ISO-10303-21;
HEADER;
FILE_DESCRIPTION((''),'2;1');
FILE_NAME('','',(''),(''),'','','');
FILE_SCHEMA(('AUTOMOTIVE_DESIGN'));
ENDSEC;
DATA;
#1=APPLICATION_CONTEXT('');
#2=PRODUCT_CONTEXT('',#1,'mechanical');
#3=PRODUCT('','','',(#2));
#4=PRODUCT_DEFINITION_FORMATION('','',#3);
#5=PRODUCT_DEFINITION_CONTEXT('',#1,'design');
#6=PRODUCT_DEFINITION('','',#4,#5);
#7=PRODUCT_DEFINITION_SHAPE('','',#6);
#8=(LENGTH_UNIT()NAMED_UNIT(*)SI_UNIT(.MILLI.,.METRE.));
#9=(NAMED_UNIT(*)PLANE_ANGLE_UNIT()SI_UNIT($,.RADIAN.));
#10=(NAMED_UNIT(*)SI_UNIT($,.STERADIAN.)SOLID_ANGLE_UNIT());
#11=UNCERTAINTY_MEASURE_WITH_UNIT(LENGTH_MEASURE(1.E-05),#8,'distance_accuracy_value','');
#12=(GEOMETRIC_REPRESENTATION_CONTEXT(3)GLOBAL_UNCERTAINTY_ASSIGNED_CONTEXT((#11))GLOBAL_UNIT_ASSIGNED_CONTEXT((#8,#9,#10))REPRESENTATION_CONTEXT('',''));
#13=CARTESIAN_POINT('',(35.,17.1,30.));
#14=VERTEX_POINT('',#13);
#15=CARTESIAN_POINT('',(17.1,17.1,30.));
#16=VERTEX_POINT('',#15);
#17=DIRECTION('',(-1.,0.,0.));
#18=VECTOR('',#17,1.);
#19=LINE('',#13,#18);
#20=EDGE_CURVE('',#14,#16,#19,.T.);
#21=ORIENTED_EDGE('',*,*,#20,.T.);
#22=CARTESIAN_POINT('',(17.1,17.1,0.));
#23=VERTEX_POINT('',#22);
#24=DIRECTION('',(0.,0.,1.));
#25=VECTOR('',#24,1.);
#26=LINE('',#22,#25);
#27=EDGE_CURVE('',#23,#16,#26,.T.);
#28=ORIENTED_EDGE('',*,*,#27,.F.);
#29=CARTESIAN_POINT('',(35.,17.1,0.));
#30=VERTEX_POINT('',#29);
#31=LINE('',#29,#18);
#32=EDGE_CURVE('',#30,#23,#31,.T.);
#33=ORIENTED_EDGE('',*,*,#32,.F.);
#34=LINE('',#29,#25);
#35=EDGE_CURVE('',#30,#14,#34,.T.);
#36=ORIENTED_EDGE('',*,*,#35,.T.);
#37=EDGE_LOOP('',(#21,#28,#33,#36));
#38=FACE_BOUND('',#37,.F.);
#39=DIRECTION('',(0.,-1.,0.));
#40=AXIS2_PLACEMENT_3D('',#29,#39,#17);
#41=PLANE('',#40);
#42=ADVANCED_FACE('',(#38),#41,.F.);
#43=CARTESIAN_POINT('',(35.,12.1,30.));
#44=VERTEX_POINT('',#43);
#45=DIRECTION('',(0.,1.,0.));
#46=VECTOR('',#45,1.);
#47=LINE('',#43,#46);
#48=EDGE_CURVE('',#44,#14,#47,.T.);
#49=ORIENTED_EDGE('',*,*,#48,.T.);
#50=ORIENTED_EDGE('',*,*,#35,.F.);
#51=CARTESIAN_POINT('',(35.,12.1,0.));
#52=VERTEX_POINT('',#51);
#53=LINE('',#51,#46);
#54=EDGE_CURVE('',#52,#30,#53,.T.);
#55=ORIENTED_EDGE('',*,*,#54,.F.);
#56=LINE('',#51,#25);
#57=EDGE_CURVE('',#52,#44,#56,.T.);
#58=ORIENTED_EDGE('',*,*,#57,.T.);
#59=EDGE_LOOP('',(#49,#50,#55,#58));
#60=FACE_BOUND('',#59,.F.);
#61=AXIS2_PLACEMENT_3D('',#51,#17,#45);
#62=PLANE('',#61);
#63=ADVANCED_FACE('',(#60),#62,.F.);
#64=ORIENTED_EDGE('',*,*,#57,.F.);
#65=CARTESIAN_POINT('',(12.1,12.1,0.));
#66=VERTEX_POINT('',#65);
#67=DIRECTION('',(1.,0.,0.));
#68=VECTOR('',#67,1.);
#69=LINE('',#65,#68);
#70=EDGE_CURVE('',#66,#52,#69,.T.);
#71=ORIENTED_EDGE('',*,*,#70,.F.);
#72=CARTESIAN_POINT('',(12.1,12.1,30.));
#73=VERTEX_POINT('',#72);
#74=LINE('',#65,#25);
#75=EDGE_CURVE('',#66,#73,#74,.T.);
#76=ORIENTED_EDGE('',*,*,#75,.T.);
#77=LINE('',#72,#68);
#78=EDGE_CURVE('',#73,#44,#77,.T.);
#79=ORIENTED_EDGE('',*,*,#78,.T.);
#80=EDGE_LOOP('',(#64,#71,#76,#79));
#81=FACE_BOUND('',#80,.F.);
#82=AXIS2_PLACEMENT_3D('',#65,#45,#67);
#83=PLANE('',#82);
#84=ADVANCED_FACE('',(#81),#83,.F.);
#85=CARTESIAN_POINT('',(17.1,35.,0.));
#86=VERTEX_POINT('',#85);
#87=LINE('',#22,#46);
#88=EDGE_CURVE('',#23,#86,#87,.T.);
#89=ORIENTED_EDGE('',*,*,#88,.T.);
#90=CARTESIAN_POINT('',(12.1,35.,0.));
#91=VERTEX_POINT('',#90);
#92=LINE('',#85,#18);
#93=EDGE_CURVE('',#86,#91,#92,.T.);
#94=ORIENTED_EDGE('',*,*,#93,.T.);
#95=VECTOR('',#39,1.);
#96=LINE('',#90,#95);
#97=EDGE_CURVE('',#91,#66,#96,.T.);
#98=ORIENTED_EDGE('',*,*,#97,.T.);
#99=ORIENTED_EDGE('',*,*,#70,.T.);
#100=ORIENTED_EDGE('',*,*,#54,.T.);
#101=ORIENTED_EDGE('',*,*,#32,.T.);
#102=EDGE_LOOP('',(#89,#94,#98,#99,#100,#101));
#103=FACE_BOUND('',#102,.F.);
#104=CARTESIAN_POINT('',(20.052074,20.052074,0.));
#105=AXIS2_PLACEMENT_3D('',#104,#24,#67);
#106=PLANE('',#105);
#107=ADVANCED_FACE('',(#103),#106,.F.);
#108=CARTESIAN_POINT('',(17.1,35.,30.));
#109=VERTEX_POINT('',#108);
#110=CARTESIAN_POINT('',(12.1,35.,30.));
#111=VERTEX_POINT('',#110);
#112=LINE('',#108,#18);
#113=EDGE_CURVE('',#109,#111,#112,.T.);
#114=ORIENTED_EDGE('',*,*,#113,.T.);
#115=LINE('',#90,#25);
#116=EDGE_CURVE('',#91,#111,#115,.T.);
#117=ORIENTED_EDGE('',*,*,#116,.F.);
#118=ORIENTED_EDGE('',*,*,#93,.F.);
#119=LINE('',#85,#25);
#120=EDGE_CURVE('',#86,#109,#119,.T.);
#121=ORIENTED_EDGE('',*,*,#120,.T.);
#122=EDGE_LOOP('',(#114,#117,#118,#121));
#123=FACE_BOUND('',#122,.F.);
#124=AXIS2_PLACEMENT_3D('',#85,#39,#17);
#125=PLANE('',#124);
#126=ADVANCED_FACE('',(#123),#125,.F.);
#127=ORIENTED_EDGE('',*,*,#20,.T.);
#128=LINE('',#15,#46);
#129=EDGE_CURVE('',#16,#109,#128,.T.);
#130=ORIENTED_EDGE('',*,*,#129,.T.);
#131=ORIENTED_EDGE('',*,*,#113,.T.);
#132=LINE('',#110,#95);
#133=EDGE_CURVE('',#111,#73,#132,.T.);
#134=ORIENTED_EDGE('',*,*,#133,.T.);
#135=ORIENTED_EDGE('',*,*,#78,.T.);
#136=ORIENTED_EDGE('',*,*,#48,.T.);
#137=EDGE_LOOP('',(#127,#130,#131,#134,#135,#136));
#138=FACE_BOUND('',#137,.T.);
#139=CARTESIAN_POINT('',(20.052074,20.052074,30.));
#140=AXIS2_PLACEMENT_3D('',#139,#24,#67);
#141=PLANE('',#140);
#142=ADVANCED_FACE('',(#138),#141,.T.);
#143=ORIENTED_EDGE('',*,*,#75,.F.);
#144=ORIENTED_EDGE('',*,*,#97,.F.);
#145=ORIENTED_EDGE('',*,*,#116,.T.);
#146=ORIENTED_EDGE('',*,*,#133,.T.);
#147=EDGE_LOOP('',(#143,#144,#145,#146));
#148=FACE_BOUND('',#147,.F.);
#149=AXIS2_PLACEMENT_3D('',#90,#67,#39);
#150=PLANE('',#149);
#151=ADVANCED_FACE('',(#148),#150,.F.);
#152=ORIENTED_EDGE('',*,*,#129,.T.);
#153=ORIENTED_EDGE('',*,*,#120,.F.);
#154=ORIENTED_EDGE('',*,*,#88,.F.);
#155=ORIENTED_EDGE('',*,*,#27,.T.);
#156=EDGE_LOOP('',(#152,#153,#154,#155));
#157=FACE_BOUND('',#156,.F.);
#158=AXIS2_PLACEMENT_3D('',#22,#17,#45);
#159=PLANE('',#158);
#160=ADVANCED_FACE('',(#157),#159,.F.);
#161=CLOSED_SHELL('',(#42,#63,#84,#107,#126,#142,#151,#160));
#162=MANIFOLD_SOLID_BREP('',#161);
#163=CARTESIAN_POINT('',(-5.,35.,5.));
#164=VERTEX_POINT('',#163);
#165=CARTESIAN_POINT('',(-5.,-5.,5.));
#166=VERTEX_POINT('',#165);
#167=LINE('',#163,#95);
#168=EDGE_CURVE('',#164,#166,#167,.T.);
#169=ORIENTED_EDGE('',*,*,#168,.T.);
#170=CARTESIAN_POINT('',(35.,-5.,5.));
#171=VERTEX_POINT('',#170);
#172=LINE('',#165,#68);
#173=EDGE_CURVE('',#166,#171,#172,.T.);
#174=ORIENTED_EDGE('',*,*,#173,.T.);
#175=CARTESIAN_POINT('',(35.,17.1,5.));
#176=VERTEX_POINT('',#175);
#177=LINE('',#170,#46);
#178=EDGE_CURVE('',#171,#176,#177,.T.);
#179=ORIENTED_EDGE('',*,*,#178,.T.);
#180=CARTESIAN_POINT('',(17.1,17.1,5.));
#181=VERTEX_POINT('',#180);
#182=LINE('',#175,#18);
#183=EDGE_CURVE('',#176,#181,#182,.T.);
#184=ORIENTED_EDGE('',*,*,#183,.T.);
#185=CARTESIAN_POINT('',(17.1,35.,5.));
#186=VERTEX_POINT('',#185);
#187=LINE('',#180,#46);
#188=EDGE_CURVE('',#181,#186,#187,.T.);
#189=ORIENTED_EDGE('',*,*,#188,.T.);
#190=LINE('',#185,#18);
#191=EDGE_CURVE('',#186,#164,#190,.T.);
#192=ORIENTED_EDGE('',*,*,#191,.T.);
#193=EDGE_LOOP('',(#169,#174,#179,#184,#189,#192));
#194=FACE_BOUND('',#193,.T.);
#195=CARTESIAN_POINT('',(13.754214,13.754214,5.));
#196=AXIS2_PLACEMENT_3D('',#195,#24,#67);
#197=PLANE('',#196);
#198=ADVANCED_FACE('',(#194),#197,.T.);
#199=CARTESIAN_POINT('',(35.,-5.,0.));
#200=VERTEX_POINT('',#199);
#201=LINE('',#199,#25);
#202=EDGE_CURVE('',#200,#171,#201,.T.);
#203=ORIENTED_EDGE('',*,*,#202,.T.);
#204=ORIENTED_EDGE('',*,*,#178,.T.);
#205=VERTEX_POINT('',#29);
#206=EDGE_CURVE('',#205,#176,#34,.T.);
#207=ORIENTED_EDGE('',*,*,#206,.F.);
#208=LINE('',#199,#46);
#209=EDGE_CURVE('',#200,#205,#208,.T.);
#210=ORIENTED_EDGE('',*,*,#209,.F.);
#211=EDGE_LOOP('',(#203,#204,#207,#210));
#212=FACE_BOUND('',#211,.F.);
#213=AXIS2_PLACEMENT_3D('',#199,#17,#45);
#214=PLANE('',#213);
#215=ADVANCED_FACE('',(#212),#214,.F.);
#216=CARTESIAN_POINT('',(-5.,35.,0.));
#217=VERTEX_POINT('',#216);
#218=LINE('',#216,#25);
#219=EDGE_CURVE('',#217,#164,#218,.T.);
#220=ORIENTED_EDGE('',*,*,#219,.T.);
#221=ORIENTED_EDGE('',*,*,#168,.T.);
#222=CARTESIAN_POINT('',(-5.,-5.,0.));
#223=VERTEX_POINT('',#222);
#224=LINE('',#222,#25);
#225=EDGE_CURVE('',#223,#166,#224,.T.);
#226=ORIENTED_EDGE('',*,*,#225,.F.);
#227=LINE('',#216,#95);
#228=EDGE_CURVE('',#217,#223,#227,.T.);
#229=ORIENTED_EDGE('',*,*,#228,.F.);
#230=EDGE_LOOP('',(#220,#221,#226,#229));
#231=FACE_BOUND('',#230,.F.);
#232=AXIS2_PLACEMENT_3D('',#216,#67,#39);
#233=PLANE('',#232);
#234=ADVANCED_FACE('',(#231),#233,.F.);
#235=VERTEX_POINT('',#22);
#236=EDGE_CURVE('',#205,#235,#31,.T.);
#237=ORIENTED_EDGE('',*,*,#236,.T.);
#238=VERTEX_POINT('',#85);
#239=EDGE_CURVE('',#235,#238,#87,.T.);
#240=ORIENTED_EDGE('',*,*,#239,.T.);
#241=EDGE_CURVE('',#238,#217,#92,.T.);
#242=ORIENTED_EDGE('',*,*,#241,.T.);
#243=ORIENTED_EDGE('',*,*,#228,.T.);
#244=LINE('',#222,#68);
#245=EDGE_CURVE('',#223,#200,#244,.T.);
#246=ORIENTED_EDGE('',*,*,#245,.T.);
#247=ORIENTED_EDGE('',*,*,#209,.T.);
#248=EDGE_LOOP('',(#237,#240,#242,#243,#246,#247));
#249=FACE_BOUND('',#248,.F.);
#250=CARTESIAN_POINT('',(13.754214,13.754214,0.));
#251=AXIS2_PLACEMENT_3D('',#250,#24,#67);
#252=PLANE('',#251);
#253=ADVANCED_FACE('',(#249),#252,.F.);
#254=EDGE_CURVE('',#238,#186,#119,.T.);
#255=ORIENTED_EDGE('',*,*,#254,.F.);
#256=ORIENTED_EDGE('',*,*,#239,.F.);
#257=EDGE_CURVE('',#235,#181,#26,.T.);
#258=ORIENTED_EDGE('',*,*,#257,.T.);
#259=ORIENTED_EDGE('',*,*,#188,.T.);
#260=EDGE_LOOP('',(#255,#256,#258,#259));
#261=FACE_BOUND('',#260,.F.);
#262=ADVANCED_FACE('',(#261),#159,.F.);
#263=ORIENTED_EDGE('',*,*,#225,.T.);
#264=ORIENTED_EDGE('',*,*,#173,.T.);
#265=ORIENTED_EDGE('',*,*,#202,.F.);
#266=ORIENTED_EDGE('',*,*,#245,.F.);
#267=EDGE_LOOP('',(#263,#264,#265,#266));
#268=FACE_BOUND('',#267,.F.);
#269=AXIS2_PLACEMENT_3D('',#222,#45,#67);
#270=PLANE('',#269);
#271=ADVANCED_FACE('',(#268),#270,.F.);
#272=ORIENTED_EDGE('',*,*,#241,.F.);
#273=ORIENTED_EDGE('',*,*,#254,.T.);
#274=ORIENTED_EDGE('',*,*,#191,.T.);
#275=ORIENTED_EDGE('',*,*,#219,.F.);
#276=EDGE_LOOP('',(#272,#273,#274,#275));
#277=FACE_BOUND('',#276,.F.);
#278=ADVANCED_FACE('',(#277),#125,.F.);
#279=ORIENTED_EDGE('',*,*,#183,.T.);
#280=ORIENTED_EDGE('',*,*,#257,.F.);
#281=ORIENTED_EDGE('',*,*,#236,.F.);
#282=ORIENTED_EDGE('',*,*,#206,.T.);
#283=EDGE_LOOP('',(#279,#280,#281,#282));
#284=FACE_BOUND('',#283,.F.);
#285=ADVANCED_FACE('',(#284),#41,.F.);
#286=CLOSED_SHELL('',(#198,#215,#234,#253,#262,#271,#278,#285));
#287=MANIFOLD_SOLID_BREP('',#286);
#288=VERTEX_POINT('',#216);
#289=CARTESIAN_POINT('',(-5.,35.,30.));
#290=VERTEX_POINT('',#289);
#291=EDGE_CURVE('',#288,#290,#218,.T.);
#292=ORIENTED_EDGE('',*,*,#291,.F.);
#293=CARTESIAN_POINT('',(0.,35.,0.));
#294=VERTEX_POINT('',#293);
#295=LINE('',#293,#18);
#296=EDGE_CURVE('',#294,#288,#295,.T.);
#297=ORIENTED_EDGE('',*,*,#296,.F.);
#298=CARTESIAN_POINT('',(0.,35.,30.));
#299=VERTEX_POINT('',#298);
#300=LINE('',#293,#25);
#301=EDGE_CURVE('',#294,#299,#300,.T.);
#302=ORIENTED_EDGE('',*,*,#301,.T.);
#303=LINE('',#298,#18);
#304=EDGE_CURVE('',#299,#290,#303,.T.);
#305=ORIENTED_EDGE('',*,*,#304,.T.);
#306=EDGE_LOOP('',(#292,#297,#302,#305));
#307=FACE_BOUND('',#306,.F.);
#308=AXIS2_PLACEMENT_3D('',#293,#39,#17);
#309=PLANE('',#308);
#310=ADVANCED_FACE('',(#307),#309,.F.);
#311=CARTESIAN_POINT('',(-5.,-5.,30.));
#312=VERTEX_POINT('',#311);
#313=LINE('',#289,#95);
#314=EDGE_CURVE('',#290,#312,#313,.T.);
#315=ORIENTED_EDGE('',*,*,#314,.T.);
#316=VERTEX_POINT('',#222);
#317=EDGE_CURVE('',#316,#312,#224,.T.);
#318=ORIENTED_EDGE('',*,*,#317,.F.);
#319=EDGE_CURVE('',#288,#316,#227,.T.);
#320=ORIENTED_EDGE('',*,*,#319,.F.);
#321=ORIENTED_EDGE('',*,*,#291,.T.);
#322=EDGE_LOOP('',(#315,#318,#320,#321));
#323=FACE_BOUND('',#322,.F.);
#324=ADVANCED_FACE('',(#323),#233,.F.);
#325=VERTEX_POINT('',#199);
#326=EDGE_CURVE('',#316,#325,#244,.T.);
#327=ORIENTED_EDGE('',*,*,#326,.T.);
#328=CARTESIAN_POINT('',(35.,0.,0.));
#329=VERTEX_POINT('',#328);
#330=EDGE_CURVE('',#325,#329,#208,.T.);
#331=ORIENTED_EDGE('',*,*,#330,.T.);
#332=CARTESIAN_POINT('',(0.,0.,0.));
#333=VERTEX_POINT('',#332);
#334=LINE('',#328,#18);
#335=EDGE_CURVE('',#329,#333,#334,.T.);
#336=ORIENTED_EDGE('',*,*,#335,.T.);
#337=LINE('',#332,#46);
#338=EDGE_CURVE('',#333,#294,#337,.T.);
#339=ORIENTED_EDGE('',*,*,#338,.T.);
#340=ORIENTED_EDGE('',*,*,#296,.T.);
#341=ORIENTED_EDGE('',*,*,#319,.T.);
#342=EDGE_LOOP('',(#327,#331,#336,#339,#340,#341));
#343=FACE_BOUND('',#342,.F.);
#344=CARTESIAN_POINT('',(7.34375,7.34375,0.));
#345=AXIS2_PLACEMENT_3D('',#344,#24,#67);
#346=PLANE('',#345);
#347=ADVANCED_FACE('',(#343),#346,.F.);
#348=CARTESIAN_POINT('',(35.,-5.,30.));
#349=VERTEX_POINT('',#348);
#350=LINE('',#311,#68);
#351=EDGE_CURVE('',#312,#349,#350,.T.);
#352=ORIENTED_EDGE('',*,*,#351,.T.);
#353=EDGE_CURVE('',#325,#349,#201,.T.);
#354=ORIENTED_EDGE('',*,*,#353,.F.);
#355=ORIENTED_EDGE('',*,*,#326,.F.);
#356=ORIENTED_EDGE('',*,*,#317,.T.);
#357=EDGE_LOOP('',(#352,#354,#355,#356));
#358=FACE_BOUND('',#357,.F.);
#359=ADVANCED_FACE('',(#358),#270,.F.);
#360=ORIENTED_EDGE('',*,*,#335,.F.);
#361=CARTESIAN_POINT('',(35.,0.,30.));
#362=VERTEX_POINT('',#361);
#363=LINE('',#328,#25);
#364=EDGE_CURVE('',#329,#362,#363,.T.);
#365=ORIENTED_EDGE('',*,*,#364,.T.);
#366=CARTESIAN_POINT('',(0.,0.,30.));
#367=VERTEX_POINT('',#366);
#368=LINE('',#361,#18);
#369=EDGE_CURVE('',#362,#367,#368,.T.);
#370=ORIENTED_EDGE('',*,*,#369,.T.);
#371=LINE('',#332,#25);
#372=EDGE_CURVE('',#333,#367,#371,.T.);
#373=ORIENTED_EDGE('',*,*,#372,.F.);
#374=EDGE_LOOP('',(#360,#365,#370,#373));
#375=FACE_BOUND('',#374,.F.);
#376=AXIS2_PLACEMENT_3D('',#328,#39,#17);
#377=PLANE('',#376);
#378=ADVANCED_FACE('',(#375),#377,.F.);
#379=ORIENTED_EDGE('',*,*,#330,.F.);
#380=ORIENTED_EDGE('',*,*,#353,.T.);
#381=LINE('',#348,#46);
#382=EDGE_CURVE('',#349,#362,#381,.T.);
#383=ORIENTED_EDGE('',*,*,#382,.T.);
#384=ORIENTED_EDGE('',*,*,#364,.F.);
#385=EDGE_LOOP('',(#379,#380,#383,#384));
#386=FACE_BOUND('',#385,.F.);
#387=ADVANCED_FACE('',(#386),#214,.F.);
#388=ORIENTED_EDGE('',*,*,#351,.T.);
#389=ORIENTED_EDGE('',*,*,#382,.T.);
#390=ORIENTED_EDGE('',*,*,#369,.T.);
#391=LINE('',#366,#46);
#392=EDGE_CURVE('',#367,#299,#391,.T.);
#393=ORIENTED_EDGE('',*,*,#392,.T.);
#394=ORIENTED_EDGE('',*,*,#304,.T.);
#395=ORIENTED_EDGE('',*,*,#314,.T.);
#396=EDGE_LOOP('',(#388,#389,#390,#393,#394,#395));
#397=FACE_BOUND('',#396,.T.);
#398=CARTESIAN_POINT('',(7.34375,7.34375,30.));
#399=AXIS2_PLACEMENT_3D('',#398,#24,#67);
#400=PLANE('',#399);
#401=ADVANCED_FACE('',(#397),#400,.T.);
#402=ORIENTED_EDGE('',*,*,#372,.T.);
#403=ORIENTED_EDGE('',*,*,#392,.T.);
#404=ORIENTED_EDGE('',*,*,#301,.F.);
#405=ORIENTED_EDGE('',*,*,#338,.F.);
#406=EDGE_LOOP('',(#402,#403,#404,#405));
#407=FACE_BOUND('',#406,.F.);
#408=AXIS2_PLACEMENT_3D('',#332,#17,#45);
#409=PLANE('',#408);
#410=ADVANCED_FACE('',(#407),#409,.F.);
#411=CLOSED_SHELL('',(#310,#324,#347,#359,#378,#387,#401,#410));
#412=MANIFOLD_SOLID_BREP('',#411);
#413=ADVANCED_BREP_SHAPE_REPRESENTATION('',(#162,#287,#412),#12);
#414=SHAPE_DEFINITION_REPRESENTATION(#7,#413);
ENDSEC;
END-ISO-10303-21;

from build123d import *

# Parameters (mm, degrees)
F1_DEPTH = 30
F2_DEPTH = 5


with BuildPart() as f1:
    # F0 (on Top) → F1 (new body)
    with BuildSketch(Plane.XY):
        Polygon((35, 0), (0, 0), (0, 35), (-5, 35), (-5, -5), (35, -5), align=None)
        Polygon((12.1, 12.1), (35, 12.1), (35, 17.1), (17.1, 17.1), (17.1, 35), (12.1, 35), align=None)
    extrude(amount=F1_DEPTH)


with BuildPart() as f2:
    # F0 (on Top) → F2 (new body)
    with BuildSketch(Plane.XY):
        Polygon((0, 35), (0, 0), (35, 0), (35, 12.1), (12.1, 12.1), (12.1, 35), align=None)
        Polygon((35, 0), (0, 0), (0, 35), (-5, 35), (-5, -5), (35, -5), align=None)
        Polygon((12.1, 12.1), (35, 12.1), (35, 17.1), (17.1, 17.1), (17.1, 35), (12.1, 35), align=None)
    extrude(amount=F2_DEPTH)


solid = Compound([f1.part, f2.part])
